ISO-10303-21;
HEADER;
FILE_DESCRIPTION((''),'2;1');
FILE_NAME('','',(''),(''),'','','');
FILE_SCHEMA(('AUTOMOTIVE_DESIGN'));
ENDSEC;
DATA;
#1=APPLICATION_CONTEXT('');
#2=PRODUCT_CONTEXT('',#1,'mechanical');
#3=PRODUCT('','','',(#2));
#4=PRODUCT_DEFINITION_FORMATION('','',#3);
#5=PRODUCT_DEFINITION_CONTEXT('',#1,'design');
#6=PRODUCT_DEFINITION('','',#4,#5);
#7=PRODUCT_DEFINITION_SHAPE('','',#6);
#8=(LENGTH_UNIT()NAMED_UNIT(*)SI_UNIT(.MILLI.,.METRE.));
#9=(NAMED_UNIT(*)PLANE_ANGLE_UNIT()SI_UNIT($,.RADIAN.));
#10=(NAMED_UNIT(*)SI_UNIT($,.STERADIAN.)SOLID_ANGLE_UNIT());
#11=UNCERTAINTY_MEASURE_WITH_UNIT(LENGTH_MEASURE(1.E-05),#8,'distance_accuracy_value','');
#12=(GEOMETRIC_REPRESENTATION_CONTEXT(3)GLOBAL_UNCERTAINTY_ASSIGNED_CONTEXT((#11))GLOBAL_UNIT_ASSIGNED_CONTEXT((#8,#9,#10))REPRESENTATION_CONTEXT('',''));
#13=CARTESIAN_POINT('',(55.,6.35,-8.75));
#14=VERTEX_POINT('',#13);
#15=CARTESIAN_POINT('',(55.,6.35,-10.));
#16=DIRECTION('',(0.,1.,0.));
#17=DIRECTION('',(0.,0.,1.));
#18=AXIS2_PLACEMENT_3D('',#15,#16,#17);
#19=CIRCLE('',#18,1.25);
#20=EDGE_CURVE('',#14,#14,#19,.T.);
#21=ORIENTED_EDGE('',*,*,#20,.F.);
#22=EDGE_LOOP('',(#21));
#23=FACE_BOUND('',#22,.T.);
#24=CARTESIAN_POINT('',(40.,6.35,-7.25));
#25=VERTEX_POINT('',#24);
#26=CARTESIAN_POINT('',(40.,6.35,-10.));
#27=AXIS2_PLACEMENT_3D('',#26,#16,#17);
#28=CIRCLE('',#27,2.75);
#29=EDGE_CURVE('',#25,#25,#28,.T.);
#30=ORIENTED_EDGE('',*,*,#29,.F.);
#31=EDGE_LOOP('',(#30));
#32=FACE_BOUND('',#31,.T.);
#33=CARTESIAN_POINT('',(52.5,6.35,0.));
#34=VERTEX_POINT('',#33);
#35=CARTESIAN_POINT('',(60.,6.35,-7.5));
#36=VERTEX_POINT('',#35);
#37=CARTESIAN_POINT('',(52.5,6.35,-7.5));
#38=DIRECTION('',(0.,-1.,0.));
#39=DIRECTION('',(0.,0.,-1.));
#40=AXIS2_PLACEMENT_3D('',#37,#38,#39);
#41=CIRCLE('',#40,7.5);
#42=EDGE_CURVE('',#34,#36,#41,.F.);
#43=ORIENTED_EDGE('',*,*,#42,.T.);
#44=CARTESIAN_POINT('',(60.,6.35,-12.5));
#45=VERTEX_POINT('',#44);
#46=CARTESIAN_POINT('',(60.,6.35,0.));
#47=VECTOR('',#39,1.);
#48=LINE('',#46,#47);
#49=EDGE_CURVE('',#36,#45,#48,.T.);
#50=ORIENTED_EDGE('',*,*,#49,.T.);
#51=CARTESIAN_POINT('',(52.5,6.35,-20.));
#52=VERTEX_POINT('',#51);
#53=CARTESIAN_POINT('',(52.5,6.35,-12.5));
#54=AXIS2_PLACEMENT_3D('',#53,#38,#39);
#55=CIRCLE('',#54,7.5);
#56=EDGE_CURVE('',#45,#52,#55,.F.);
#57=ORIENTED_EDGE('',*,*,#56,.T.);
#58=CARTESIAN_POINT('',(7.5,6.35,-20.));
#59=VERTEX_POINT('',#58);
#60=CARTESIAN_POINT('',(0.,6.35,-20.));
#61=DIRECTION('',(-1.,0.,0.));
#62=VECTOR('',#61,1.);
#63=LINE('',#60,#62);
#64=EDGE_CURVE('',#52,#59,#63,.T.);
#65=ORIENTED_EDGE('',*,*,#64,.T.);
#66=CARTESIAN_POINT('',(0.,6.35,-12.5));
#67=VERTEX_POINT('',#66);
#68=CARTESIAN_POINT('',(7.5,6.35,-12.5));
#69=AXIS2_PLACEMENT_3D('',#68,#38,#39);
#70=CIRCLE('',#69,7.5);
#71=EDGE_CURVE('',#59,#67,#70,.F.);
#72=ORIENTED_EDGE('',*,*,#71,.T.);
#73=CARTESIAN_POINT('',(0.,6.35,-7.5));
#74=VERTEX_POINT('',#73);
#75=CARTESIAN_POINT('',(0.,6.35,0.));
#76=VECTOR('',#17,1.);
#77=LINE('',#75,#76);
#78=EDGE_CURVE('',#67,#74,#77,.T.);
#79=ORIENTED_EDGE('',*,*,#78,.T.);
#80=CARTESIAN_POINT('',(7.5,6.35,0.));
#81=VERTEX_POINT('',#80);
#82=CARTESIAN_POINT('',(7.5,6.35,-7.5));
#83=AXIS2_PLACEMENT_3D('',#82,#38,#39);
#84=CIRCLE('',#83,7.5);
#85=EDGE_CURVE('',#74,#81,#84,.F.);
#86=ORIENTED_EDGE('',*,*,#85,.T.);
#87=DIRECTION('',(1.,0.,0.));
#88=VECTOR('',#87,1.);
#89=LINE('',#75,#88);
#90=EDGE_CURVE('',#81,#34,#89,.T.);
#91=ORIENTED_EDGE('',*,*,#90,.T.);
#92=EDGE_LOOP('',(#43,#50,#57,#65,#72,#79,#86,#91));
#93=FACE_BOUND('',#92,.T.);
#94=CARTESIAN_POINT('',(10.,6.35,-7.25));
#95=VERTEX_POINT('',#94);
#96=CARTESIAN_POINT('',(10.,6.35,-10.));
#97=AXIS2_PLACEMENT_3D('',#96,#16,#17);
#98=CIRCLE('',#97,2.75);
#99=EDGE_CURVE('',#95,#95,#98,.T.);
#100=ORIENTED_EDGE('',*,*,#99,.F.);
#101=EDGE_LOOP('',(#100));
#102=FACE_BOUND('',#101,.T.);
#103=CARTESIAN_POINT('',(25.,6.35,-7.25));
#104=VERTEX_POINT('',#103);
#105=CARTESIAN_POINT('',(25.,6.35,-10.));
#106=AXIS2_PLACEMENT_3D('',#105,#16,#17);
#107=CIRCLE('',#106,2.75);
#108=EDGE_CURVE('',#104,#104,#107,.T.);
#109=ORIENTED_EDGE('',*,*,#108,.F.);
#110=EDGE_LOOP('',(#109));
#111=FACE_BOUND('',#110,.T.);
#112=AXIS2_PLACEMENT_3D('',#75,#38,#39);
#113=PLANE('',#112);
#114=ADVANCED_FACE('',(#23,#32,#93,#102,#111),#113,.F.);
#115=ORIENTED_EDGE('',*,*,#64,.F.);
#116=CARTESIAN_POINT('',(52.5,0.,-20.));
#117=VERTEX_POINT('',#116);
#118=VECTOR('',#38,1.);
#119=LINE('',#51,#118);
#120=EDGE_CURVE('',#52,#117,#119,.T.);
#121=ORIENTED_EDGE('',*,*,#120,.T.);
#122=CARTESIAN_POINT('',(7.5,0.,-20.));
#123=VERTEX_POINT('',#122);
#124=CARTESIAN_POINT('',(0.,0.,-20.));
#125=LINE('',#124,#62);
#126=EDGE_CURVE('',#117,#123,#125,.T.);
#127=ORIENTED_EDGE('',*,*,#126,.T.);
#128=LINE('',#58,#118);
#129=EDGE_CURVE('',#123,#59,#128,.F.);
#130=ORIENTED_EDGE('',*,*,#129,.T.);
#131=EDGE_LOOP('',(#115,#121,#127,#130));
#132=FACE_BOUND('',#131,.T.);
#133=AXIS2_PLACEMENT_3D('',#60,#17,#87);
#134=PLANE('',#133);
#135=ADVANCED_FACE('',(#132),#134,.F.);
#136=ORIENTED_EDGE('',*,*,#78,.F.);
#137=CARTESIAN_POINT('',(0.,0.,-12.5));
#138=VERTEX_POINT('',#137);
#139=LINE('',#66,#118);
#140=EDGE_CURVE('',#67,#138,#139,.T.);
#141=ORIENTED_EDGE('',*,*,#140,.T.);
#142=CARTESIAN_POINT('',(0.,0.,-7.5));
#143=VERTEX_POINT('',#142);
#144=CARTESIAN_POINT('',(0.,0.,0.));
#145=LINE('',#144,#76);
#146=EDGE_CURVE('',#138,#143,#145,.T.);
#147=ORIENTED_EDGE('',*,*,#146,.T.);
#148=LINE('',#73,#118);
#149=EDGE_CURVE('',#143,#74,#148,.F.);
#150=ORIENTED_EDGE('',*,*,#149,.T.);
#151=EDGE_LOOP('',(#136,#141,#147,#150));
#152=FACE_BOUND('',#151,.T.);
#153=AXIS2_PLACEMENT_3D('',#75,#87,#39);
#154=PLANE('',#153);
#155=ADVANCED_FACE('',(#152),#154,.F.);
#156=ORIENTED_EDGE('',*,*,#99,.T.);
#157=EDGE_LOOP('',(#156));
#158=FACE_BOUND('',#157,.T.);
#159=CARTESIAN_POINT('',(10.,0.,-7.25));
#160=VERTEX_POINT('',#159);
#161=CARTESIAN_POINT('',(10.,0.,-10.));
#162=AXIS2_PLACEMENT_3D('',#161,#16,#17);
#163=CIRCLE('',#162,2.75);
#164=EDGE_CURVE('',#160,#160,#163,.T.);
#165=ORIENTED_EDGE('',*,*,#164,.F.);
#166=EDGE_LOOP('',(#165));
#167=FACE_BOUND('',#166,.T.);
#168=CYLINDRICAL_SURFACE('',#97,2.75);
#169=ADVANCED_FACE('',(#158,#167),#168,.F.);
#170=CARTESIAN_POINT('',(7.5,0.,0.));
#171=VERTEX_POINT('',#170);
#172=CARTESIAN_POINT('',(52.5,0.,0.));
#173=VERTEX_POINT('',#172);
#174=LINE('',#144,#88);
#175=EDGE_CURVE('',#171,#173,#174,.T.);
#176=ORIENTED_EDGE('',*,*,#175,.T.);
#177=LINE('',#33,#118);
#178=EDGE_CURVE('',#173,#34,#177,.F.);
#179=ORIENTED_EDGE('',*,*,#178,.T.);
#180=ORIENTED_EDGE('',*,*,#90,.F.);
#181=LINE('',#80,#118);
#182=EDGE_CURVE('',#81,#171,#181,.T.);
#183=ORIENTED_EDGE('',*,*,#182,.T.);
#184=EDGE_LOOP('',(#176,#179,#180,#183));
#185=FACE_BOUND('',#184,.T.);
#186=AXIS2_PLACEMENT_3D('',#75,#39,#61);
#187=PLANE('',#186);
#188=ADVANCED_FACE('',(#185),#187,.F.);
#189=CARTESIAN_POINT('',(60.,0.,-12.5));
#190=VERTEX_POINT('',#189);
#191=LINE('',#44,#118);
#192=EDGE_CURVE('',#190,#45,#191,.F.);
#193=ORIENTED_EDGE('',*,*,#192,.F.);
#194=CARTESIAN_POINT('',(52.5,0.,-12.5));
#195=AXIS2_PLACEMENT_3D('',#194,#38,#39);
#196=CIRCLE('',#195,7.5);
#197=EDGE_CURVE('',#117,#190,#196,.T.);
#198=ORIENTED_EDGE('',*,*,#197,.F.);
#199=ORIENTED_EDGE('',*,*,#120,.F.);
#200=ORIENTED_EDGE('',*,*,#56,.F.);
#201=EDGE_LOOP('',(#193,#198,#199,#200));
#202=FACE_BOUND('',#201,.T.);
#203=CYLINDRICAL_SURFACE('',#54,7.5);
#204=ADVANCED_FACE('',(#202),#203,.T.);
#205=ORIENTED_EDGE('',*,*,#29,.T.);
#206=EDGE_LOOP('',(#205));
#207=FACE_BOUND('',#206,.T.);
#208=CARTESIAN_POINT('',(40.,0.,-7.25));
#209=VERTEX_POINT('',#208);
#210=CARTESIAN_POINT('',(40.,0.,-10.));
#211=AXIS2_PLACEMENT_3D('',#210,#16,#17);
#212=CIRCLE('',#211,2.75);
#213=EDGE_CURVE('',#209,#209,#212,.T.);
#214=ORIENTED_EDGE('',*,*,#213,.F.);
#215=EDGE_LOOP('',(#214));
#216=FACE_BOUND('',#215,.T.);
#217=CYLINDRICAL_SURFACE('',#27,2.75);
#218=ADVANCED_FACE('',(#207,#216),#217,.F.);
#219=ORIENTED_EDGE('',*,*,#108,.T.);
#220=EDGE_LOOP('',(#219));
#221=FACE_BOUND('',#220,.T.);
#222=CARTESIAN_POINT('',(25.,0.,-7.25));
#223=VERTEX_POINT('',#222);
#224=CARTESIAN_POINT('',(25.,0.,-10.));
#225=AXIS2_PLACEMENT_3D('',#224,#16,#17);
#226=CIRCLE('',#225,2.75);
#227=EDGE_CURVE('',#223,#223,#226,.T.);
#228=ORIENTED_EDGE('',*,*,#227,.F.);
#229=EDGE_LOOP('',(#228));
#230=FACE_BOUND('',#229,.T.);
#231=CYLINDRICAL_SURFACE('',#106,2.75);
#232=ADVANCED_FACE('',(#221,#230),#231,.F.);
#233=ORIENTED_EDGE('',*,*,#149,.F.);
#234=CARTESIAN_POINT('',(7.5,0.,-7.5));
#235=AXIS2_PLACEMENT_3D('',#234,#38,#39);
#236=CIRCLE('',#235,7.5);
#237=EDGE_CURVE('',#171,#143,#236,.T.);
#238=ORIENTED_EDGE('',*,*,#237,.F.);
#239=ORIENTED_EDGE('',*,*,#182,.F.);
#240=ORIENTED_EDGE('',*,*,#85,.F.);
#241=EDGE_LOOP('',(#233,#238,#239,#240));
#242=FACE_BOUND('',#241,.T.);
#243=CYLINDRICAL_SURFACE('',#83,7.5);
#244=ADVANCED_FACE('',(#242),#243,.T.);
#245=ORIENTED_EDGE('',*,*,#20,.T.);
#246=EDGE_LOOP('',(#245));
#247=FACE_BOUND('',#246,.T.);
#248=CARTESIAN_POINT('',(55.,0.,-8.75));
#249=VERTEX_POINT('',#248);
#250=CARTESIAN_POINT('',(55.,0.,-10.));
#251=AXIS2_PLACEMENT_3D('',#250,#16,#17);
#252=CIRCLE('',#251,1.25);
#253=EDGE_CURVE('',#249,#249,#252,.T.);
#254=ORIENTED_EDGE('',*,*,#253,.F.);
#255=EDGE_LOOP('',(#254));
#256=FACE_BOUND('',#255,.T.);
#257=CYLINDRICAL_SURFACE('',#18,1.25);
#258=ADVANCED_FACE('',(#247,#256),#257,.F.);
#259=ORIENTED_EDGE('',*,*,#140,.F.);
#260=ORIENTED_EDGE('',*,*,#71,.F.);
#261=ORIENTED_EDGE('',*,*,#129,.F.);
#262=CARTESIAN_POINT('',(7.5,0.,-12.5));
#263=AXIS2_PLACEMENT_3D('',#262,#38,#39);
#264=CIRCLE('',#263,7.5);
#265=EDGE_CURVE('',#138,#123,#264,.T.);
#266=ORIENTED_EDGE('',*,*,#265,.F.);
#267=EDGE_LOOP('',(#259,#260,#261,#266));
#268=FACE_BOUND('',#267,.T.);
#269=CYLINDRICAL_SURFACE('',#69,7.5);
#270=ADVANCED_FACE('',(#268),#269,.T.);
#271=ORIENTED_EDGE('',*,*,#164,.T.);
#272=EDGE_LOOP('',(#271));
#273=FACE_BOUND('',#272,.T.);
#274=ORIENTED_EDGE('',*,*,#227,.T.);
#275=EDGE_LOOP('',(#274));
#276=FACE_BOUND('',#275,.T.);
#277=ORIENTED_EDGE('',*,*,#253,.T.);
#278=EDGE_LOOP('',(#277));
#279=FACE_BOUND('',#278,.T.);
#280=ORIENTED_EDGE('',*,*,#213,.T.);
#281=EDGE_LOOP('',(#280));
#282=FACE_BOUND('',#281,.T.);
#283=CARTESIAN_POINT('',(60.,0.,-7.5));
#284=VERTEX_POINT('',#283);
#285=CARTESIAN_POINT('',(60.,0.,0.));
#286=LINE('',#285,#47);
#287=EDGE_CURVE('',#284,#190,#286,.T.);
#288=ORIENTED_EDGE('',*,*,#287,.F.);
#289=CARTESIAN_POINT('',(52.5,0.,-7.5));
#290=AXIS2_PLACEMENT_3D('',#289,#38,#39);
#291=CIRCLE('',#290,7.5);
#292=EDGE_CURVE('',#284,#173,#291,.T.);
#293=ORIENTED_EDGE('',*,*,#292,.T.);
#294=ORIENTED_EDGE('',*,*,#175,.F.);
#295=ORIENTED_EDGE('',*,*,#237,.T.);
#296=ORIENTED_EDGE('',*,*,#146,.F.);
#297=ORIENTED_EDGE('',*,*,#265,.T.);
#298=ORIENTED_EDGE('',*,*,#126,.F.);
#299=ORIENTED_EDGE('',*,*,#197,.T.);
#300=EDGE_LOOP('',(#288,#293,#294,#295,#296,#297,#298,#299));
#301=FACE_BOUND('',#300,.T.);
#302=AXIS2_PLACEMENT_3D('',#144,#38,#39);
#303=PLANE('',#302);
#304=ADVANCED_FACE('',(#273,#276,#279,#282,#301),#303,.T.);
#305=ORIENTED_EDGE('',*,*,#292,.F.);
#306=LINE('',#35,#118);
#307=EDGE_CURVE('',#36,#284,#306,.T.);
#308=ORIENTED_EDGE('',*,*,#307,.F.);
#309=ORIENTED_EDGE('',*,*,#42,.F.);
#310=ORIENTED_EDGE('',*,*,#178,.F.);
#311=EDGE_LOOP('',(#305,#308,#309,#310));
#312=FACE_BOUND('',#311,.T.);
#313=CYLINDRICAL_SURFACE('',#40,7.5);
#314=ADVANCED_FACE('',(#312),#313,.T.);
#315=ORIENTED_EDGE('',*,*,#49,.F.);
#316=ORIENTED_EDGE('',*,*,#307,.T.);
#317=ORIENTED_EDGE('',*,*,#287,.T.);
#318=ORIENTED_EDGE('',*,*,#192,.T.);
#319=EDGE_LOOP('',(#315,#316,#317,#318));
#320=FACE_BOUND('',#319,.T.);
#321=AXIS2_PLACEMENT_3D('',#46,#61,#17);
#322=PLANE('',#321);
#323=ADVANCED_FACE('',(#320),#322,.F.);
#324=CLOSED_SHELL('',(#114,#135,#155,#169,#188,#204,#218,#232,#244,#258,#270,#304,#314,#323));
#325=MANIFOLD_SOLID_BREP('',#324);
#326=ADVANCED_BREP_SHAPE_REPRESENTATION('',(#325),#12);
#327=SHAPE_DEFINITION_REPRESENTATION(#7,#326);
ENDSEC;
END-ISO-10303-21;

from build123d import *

# Parameters (mm, degrees)
SKETCH2_W                   = 60
SKETCH2_H                   = 20
BOSS_EXTRUDE1_DEPTH         = 6.35
M5_CLEARANCE_HOLE1_D        = 5.5
TAP_DRILL_FOR_M3X0_5_TAP1_D = 2.5
FILLET1_R                   = 7.5


with BuildPart() as part:
    # Sketch2 → Boss-Extrude1 (new body)
    with BuildSketch(Plane(origin=(0, 0, 0), x_dir=(1, 0, 0), z_dir=(0, 1, 0))):
        with Locations((30, 10)):
            Rectangle(SKETCH2_W, SKETCH2_H)
    extrude(amount=BOSS_EXTRUDE1_DEPTH)

    # M5 Clearance Hole1 (through all)
    with Locations(Plane(origin=(10, 6.35, -10), x_dir=(0, 0, 1), z_dir=(0, 1, 0))):
        with Locations((0, 0), (0, 15), (0, 30)):
            Hole(M5_CLEARANCE_HOLE1_D / 2)

    # Tap Drill for M3x0.5 Tap1 (through all)
    with Locations(Plane(origin=(55, 6.35, -10), x_dir=(0, 0, 1), z_dir=(0, 1, 0))):
        with Locations((0, 0)):
            Hole(TAP_DRILL_FOR_M3X0_5_TAP1_D / 2)

    # Fillet1
    fillet1_edges = [part.edges().sort_by_distance(p)[0] for p in [
        (0, 3.175, -20),
        (60, 3.175, -20),
        (60, 3.175, 0),
        (0, 3.175, 0),
    ]]
    fillet(fillet1_edges, radius=FILLET1_R)


solid = part.part
